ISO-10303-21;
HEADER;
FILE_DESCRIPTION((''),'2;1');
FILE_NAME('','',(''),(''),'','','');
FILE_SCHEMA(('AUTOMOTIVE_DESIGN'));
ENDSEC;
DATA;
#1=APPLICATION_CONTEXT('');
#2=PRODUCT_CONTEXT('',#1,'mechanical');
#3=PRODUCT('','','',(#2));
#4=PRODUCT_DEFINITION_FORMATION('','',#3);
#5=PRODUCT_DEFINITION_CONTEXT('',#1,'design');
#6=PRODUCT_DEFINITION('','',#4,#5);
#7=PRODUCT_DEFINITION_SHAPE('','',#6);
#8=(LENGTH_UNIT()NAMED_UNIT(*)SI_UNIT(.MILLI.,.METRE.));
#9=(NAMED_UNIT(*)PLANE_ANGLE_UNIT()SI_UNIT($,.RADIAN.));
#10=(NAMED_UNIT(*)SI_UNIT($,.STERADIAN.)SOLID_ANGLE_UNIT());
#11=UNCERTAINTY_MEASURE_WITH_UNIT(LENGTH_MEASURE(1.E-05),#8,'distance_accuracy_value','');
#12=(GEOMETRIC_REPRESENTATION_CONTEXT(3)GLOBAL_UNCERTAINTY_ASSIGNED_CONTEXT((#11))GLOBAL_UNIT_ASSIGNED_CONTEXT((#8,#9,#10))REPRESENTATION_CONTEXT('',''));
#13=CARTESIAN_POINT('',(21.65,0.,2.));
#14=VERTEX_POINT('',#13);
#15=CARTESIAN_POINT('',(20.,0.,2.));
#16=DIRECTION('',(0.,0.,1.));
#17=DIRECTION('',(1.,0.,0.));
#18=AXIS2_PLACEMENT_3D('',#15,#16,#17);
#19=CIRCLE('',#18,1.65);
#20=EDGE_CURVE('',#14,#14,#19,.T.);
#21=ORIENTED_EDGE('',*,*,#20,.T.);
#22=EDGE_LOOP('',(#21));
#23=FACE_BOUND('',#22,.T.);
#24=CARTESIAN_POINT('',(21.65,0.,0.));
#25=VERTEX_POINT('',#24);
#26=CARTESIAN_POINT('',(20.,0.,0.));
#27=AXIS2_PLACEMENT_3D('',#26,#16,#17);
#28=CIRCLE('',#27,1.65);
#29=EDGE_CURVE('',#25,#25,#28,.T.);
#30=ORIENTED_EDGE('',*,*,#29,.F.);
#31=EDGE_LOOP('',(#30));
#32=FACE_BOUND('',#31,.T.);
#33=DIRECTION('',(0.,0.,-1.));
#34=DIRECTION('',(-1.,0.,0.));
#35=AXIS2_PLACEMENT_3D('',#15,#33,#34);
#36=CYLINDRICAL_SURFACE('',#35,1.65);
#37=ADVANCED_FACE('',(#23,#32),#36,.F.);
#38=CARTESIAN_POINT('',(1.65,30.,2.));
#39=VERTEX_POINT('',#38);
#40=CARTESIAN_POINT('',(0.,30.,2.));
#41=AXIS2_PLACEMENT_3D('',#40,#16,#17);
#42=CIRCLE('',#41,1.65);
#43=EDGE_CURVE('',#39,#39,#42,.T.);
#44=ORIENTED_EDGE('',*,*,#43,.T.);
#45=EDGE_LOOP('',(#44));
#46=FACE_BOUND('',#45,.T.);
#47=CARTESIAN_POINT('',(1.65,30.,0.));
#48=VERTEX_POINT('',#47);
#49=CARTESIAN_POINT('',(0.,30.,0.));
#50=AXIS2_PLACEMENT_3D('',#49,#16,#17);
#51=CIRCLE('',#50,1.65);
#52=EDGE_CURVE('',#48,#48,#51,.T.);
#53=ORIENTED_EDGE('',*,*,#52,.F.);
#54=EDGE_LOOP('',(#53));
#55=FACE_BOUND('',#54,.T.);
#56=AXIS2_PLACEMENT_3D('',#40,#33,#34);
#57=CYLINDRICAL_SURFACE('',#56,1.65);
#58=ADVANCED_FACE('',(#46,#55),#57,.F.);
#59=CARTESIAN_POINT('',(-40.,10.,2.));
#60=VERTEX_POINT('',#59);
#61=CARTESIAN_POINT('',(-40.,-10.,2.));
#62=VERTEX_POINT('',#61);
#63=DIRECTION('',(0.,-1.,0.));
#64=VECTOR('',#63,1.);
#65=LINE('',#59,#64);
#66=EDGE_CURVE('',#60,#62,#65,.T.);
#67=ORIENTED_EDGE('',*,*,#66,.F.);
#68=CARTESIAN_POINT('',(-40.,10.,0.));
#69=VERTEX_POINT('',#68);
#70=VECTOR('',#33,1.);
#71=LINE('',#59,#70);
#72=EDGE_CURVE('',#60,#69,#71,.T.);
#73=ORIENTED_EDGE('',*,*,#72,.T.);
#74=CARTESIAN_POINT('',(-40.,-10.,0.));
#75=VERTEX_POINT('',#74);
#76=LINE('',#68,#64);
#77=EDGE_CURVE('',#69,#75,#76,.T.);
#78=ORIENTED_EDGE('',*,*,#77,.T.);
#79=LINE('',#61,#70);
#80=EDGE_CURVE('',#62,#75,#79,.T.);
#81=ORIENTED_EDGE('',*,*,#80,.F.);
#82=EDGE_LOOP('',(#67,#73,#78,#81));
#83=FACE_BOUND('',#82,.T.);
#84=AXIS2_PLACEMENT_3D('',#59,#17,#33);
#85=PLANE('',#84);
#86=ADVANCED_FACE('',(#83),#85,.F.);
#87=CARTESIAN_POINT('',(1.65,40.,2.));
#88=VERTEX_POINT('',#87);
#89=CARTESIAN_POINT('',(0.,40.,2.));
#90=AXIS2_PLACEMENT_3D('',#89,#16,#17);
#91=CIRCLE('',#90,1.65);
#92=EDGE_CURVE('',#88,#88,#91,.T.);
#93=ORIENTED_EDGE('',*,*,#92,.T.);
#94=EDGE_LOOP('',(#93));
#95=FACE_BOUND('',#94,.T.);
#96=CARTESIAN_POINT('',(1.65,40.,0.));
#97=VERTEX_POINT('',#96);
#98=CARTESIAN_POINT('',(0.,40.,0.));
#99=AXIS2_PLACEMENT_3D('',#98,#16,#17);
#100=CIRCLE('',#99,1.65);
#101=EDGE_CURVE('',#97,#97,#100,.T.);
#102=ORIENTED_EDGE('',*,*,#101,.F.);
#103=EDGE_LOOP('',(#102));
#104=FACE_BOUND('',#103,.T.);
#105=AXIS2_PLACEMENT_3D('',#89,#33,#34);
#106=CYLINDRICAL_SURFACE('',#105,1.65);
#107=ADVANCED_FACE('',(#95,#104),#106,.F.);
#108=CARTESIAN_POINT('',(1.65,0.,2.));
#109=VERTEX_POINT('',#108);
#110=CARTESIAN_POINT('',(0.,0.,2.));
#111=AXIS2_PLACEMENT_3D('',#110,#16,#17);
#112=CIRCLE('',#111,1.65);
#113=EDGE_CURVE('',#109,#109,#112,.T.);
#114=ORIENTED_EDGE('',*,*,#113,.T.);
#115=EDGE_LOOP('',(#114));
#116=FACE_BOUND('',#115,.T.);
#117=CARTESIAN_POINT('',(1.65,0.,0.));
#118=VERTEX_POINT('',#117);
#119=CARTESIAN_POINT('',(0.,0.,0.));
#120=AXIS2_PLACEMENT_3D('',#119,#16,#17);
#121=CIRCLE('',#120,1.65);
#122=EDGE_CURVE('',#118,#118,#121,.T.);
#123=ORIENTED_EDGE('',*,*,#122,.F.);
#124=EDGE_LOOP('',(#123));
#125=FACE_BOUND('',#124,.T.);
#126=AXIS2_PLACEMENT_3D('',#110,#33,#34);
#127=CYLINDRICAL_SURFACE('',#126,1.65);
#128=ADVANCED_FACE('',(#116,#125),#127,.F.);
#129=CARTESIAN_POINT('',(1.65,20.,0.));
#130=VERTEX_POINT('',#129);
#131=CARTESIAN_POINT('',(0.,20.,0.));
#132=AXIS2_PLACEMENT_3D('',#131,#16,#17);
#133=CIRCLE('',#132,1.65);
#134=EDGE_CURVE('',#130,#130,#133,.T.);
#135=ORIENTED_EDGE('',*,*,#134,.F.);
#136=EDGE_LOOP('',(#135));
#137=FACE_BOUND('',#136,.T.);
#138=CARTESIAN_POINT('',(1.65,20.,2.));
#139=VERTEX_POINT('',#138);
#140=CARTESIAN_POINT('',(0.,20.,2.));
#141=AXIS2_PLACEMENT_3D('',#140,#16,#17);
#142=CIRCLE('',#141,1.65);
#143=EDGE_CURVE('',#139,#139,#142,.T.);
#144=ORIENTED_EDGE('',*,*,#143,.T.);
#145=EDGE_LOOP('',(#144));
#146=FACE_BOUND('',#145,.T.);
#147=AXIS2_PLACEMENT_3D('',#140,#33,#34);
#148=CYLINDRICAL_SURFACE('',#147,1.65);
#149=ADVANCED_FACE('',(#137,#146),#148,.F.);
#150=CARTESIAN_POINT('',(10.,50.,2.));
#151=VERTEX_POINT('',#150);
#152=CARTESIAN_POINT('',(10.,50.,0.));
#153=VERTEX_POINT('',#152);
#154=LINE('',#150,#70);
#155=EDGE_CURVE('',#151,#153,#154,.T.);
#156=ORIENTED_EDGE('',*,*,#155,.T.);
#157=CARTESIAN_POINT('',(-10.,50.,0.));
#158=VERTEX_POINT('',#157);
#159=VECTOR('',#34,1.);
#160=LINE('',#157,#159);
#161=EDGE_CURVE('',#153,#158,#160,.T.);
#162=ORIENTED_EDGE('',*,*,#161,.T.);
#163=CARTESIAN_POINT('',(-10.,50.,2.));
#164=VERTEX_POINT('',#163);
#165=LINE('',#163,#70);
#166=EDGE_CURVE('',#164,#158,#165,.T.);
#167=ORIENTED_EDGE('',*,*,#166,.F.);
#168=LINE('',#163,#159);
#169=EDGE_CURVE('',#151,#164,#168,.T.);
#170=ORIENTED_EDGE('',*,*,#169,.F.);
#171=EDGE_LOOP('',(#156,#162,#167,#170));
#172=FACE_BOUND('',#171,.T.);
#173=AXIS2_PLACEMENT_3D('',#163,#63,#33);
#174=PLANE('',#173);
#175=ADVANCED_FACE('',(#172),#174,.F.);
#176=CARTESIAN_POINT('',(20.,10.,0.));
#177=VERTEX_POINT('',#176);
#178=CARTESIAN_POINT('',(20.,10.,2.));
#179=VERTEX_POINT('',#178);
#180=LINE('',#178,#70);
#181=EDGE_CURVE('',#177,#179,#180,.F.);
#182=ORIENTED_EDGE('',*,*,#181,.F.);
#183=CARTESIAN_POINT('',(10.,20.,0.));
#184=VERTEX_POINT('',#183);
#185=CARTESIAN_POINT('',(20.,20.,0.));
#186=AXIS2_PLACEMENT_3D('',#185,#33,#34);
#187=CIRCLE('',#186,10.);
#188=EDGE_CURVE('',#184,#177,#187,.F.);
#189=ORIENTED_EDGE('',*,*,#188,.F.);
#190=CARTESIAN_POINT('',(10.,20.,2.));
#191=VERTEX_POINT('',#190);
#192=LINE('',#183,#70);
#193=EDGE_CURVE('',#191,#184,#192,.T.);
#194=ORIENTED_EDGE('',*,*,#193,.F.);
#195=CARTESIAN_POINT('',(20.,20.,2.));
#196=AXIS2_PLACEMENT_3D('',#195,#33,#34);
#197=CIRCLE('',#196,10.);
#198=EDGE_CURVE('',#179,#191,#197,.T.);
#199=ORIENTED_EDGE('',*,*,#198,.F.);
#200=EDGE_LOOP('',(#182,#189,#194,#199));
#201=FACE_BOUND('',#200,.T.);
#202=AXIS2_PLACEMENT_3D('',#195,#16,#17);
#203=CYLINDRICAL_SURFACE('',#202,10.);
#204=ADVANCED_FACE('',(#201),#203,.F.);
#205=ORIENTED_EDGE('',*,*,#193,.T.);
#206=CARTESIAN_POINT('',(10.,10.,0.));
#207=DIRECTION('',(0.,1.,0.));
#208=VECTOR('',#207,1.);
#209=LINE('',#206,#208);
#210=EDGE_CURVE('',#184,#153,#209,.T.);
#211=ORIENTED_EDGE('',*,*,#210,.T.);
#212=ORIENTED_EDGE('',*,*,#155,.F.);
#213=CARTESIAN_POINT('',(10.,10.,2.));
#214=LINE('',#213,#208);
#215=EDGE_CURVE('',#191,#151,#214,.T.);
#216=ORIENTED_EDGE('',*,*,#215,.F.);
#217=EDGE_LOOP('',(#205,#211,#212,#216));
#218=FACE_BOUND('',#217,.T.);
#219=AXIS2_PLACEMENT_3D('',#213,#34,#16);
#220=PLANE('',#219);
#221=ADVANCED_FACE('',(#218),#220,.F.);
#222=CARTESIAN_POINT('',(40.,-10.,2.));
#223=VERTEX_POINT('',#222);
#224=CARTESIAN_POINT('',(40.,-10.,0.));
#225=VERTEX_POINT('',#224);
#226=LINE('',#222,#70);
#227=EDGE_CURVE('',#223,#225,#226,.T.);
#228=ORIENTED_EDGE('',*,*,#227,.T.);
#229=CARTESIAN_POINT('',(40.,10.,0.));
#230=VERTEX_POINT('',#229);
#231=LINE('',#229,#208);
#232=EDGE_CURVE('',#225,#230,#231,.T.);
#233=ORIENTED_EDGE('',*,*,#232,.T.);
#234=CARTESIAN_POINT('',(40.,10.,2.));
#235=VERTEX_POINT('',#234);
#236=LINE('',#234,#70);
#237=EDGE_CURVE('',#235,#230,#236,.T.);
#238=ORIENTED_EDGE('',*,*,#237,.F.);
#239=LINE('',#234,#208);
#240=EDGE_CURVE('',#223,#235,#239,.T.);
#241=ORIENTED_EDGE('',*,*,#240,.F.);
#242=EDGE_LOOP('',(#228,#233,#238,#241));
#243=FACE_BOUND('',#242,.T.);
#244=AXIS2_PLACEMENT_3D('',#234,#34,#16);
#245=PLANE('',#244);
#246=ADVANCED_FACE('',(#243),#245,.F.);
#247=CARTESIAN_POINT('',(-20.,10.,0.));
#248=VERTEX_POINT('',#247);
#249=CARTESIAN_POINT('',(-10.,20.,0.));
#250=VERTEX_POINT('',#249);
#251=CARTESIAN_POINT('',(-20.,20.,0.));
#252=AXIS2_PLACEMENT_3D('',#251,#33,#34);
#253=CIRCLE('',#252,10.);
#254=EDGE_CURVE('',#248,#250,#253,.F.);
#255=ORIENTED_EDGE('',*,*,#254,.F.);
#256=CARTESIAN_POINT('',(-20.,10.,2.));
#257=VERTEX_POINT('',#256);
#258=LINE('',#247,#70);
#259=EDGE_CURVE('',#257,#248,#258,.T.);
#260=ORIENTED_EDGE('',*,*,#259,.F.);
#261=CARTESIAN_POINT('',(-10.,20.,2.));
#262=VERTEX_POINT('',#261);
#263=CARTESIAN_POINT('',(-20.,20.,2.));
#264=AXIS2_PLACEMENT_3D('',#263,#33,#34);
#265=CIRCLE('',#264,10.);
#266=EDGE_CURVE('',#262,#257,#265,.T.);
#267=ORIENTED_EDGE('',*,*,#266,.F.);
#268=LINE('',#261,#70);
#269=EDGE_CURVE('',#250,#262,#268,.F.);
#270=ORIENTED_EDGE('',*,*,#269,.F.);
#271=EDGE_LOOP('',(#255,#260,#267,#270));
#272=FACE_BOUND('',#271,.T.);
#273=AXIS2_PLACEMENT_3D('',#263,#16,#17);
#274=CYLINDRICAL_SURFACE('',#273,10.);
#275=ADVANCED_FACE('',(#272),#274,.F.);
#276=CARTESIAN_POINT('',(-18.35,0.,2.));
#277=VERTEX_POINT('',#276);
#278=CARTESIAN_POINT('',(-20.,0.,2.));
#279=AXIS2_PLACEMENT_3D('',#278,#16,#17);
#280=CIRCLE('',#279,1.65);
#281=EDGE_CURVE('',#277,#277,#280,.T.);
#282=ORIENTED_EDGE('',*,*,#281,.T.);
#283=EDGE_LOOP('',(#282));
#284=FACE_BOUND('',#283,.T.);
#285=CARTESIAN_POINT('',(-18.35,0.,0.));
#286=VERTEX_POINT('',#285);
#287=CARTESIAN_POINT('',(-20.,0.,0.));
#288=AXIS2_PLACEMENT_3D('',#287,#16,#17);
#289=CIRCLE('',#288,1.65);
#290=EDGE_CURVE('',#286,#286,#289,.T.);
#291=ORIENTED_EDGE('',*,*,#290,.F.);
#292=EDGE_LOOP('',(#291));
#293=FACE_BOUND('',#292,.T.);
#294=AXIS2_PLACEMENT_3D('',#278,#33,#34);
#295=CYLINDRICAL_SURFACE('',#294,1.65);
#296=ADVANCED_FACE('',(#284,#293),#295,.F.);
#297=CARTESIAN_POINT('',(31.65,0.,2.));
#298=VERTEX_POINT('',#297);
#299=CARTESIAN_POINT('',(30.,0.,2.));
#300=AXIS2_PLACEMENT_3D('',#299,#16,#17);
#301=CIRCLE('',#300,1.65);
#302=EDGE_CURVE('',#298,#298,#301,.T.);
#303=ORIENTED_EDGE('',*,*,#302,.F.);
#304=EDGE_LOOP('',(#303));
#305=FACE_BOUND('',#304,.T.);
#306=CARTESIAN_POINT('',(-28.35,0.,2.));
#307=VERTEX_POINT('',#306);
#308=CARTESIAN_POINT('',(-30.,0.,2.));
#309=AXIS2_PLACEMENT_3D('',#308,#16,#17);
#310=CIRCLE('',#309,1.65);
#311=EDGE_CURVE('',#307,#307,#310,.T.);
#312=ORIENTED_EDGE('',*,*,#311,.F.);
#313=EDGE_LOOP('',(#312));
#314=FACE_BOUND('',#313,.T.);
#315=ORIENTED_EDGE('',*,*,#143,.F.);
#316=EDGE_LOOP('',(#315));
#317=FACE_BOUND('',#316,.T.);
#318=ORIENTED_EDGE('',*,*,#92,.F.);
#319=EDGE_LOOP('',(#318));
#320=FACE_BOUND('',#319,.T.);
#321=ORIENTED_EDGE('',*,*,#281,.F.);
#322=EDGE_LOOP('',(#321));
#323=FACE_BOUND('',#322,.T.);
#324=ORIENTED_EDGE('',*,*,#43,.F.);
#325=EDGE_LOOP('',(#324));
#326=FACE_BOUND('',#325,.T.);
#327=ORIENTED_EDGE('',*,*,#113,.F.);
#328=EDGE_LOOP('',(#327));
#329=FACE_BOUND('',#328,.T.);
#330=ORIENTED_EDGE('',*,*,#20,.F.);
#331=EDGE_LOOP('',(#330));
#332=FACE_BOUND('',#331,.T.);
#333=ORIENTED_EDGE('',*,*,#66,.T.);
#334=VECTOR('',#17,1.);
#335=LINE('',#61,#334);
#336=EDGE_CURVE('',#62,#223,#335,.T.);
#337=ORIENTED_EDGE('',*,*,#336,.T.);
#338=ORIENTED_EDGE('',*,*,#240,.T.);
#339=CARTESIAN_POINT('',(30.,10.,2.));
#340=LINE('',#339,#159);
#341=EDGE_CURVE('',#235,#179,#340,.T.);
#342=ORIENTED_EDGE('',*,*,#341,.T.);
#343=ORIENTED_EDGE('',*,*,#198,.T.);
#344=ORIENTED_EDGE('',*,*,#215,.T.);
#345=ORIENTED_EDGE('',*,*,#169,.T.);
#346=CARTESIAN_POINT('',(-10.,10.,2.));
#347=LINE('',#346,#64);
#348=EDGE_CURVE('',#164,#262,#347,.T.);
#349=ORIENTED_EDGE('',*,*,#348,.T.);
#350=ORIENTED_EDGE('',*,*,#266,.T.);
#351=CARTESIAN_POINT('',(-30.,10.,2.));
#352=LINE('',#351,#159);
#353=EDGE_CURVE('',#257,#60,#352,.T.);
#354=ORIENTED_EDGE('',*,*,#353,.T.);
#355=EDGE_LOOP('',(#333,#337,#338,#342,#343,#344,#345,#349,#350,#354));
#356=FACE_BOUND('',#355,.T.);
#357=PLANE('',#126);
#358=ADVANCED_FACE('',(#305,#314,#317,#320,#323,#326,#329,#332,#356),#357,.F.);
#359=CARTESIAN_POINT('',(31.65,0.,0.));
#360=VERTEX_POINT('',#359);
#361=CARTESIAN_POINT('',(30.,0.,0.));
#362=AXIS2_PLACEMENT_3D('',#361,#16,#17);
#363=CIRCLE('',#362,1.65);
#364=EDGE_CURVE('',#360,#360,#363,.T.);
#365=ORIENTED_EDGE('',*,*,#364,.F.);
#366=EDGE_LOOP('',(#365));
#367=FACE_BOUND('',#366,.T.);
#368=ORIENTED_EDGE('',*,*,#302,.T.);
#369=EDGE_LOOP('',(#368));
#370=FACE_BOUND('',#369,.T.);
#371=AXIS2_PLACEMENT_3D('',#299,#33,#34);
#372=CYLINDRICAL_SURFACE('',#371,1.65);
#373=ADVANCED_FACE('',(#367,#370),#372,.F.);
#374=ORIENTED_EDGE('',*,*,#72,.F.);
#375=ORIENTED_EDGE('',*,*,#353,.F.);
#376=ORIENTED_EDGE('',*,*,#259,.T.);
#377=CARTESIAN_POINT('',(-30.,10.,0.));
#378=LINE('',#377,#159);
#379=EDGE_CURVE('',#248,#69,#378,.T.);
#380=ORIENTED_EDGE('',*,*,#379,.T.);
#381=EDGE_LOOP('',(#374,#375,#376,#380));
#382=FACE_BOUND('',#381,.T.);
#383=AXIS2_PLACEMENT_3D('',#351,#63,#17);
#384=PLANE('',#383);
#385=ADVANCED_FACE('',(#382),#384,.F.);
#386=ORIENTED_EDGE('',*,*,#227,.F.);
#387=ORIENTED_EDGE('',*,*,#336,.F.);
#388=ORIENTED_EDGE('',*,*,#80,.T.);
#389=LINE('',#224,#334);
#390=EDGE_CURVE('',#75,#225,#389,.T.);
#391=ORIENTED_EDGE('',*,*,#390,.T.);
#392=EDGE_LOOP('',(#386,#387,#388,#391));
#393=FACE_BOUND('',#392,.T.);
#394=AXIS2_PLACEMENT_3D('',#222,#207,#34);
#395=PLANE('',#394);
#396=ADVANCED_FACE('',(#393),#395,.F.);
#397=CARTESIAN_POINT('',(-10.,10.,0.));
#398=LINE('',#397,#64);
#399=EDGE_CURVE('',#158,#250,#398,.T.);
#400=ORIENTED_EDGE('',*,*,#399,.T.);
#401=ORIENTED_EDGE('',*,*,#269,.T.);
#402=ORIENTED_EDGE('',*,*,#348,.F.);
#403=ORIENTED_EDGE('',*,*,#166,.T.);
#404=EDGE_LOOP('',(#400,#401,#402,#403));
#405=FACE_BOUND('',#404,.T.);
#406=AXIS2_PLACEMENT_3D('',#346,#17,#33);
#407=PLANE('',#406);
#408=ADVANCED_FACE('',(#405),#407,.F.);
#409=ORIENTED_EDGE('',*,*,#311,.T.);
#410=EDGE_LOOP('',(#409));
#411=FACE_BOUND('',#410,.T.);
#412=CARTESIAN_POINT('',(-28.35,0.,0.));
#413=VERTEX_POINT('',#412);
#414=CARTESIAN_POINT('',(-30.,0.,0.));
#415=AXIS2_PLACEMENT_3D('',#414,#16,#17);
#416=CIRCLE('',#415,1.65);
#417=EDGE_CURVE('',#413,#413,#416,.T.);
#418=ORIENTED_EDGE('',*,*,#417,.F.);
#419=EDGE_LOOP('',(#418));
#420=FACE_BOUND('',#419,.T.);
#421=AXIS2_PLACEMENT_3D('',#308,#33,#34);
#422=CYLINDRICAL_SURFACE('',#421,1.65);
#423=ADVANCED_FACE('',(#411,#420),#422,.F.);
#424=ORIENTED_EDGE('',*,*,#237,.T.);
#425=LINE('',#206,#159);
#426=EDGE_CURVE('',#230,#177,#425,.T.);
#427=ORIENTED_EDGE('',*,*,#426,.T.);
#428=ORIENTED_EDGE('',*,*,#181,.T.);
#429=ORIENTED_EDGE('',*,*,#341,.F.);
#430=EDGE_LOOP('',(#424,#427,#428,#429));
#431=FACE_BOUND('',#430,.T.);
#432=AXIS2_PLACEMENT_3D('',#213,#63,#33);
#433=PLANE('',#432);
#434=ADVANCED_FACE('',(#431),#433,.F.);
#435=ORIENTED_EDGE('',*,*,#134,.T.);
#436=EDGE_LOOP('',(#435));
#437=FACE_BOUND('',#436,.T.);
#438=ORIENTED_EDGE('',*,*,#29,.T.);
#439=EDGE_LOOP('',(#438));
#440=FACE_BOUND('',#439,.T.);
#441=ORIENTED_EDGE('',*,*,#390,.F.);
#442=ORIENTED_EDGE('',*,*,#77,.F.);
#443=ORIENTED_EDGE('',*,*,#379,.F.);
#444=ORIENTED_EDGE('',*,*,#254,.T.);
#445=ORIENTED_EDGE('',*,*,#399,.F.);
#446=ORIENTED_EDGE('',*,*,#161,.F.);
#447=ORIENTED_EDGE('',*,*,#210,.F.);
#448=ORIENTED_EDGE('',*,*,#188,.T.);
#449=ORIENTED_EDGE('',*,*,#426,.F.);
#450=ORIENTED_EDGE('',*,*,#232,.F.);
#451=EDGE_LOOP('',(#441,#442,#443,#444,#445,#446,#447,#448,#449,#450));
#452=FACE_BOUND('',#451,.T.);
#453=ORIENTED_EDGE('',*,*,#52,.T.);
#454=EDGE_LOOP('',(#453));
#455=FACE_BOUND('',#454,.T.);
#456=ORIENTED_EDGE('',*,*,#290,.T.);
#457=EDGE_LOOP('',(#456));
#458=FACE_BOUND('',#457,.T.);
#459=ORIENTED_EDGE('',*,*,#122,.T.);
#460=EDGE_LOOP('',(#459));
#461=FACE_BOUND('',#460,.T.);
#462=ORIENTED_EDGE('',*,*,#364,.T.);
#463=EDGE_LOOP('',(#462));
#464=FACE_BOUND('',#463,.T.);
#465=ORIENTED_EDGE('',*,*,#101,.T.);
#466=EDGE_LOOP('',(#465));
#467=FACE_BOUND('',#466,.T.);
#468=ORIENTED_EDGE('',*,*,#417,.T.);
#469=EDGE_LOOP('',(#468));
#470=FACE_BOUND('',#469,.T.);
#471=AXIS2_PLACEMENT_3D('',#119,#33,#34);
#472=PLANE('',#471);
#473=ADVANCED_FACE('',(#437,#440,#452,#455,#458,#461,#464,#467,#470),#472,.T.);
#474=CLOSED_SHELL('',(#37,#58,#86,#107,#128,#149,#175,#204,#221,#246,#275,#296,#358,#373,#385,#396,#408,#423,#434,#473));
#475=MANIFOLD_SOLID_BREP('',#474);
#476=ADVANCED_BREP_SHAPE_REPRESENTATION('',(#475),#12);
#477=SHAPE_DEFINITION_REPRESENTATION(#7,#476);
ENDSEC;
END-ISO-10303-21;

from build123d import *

# Parameters (mm, degrees)
SKETCH_1_R      = 1.65
EXTRUDE_1_DEPTH = 2
FILLET_1_R      = 10


with BuildPart() as part:
    # 草图1 → 凸台-拉伸1 (new body)
    with BuildSketch(Plane.XY):
        Polygon((10, 10), (30, 10), (40, 10), (40, -10), (30, -10), (-30, -10), (-40, -10), (-40, 10), (-30, 10), (-10, 10), (-10, 50), (10, 50), align=None)
        Circle(SKETCH_1_R, mode=Mode.SUBTRACT)
        with Locations((-20, 0)):
            Circle(SKETCH_1_R, mode=Mode.SUBTRACT)
        with Locations((20, 0)):
            Circle(SKETCH_1_R, mode=Mode.SUBTRACT)
        with Locations((0, 20)):
            Circle(SKETCH_1_R, mode=Mode.SUBTRACT)
        with Locations((0, 30)):
            Circle(SKETCH_1_R, mode=Mode.SUBTRACT)
        with Locations((0, 40)):
            Circle(SKETCH_1_R, mode=Mode.SUBTRACT)
        with Locations((30, 0)):
            Circle(SKETCH_1_R, mode=Mode.SUBTRACT)
        with Locations((-30, 0)):
            Circle(SKETCH_1_R, mode=Mode.SUBTRACT)
    extrude(amount=EXTRUDE_1_DEPTH)

    # 圆角1
    fillet_1_edges = [part.edges().sort_by_distance(p)[0] for p in [
        (-10, 10, 1),
        (10, 10, 1),
    ]]
    fillet(fillet_1_edges, radius=FILLET_1_R)


solid = part.part
